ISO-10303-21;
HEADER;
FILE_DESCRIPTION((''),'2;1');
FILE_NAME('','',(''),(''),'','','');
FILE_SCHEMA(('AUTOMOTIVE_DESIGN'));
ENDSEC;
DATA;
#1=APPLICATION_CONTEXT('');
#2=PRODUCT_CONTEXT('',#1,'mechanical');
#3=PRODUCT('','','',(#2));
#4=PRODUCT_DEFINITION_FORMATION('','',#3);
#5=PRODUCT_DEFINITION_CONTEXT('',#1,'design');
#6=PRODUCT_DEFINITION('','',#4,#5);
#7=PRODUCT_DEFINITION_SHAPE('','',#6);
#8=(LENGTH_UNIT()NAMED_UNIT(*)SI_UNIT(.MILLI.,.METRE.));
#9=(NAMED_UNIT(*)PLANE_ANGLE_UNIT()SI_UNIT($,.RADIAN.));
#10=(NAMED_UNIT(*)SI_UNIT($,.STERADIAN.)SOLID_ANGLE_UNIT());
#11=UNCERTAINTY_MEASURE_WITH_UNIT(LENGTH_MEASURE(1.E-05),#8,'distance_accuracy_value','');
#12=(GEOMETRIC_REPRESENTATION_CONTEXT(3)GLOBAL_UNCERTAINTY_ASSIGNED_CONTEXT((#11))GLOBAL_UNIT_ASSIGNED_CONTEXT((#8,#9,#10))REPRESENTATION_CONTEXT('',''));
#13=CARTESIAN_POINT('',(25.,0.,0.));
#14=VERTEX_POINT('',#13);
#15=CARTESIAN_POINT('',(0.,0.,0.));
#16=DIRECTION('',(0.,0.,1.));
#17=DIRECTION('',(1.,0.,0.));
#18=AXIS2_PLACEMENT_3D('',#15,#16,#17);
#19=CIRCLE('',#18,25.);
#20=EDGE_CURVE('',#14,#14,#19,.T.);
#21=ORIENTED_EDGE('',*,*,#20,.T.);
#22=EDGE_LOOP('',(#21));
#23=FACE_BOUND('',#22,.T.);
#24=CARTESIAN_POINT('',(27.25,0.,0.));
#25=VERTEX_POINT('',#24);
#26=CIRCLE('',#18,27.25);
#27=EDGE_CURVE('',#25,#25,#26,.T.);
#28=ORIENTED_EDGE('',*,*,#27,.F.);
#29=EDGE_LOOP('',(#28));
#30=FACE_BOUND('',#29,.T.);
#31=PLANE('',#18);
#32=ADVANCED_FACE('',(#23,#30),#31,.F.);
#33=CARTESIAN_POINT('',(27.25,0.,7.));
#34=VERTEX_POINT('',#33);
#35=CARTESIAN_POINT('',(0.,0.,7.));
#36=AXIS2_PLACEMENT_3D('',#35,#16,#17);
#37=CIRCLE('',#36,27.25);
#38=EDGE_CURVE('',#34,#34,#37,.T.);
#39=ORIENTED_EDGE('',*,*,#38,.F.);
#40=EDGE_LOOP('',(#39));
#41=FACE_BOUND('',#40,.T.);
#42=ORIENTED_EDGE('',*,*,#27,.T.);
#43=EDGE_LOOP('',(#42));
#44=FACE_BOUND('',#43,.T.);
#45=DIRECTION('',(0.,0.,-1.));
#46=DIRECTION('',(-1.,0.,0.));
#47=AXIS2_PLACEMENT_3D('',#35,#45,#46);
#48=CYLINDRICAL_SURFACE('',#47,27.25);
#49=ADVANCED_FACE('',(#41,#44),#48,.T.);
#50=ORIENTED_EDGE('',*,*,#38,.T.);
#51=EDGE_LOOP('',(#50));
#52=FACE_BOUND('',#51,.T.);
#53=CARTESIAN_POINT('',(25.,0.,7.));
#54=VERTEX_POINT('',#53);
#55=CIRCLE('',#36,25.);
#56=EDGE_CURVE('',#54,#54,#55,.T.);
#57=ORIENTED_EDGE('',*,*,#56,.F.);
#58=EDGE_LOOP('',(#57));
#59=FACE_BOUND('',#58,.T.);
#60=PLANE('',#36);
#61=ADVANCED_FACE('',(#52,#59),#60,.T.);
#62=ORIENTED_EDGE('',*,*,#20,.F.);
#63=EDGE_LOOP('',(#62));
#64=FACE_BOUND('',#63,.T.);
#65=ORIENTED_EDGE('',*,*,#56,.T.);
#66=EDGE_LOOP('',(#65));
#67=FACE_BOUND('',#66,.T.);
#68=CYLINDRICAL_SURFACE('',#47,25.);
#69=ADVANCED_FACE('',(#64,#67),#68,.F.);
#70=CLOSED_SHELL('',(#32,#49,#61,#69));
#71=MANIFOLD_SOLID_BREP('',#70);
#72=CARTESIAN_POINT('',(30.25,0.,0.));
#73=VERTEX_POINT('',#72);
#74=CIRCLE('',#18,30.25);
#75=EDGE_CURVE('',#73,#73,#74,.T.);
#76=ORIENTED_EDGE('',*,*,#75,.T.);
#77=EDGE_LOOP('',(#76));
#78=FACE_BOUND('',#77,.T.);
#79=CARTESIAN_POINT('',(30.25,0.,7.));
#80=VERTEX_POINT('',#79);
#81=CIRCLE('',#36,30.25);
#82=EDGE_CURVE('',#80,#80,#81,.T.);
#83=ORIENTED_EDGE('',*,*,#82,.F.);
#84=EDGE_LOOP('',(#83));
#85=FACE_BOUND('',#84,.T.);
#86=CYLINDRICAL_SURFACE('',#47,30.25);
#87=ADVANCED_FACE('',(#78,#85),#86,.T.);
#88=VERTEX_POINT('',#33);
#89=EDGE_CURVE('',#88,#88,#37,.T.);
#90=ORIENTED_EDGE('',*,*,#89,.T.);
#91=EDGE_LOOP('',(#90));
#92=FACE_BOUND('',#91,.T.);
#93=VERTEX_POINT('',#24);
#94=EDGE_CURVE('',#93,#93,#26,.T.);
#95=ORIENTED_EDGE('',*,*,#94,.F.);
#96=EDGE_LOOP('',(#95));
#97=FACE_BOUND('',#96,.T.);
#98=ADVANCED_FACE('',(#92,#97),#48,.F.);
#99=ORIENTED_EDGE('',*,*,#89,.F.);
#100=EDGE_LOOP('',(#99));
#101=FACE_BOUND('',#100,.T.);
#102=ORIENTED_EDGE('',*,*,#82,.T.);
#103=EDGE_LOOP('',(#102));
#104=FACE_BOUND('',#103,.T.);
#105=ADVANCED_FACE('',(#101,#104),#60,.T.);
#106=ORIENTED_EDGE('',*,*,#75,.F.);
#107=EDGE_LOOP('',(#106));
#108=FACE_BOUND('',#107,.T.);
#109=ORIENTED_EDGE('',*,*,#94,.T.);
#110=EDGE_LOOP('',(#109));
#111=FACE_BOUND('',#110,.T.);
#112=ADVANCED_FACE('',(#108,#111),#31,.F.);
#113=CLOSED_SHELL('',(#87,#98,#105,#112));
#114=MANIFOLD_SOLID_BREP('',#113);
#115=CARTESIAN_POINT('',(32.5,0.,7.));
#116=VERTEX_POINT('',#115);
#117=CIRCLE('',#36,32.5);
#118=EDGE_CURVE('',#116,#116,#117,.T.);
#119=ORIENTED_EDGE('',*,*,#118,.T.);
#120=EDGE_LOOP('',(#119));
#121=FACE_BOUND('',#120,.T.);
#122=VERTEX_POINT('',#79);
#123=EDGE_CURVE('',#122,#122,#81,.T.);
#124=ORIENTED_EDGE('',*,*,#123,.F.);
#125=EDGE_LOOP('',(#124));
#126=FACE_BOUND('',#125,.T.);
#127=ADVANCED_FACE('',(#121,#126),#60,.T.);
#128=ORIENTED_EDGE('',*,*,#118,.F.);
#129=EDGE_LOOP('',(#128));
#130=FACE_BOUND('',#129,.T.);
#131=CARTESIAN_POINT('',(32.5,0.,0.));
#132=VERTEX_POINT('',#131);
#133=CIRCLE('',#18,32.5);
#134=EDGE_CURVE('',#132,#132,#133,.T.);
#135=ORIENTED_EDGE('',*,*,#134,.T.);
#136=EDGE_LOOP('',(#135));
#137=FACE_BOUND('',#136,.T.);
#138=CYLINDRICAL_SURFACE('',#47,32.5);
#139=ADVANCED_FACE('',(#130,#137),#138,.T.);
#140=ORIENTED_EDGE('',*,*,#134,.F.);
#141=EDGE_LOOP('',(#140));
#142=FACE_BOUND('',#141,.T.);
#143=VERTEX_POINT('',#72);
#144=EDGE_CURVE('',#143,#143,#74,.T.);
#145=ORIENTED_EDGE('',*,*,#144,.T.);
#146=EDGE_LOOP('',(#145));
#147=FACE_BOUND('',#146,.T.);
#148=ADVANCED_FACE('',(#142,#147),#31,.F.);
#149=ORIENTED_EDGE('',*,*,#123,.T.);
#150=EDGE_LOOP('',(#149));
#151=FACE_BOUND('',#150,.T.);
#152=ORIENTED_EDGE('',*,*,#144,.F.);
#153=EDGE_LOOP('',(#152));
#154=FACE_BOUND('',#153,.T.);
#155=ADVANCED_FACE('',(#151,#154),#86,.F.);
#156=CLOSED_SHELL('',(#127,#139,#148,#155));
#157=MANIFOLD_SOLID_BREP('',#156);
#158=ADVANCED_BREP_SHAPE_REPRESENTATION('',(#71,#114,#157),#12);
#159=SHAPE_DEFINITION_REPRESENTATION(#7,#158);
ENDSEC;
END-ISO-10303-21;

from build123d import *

# Parameters (mm, degrees)
SKETCH1_R           = 27.25
SKETCH1_R_2         = 25
BOSS_EXTRUDE1_DEPTH = 7
SKETCH3_R           = 30.25
SKETCH3_R_2         = 27.25
BOSS_EXTRUDE4_DEPTH = 7
SKETCH5_R           = 32.5
SKETCH5_R_2         = 30.25
BOSS_EXTRUDE5_DEPTH = 7


with BuildPart() as part:
    # Sketch1 → Boss-Extrude1 (new body)
    with BuildSketch(Plane.XY):
        Circle(SKETCH1_R)
        Circle(SKETCH1_R_2, mode=Mode.SUBTRACT)
    extrude(amount=BOSS_EXTRUDE1_DEPTH)


with BuildPart() as body_2:
    # Sketch3 → Boss-Extrude4 (new body)
    with BuildSketch(Plane.XY):
        Circle(SKETCH3_R)
        Circle(SKETCH3_R_2, mode=Mode.SUBTRACT)
    extrude(amount=BOSS_EXTRUDE4_DEPTH)


with BuildPart() as body_3:
    # Sketch5 → Boss-Extrude5 (new body)
    with BuildSketch(Plane.XY):
        Circle(SKETCH5_R)
        Circle(SKETCH5_R_2, mode=Mode.SUBTRACT)
    extrude(amount=BOSS_EXTRUDE5_DEPTH)


solid = Compound([part.part, body_2.part, body_3.part])
